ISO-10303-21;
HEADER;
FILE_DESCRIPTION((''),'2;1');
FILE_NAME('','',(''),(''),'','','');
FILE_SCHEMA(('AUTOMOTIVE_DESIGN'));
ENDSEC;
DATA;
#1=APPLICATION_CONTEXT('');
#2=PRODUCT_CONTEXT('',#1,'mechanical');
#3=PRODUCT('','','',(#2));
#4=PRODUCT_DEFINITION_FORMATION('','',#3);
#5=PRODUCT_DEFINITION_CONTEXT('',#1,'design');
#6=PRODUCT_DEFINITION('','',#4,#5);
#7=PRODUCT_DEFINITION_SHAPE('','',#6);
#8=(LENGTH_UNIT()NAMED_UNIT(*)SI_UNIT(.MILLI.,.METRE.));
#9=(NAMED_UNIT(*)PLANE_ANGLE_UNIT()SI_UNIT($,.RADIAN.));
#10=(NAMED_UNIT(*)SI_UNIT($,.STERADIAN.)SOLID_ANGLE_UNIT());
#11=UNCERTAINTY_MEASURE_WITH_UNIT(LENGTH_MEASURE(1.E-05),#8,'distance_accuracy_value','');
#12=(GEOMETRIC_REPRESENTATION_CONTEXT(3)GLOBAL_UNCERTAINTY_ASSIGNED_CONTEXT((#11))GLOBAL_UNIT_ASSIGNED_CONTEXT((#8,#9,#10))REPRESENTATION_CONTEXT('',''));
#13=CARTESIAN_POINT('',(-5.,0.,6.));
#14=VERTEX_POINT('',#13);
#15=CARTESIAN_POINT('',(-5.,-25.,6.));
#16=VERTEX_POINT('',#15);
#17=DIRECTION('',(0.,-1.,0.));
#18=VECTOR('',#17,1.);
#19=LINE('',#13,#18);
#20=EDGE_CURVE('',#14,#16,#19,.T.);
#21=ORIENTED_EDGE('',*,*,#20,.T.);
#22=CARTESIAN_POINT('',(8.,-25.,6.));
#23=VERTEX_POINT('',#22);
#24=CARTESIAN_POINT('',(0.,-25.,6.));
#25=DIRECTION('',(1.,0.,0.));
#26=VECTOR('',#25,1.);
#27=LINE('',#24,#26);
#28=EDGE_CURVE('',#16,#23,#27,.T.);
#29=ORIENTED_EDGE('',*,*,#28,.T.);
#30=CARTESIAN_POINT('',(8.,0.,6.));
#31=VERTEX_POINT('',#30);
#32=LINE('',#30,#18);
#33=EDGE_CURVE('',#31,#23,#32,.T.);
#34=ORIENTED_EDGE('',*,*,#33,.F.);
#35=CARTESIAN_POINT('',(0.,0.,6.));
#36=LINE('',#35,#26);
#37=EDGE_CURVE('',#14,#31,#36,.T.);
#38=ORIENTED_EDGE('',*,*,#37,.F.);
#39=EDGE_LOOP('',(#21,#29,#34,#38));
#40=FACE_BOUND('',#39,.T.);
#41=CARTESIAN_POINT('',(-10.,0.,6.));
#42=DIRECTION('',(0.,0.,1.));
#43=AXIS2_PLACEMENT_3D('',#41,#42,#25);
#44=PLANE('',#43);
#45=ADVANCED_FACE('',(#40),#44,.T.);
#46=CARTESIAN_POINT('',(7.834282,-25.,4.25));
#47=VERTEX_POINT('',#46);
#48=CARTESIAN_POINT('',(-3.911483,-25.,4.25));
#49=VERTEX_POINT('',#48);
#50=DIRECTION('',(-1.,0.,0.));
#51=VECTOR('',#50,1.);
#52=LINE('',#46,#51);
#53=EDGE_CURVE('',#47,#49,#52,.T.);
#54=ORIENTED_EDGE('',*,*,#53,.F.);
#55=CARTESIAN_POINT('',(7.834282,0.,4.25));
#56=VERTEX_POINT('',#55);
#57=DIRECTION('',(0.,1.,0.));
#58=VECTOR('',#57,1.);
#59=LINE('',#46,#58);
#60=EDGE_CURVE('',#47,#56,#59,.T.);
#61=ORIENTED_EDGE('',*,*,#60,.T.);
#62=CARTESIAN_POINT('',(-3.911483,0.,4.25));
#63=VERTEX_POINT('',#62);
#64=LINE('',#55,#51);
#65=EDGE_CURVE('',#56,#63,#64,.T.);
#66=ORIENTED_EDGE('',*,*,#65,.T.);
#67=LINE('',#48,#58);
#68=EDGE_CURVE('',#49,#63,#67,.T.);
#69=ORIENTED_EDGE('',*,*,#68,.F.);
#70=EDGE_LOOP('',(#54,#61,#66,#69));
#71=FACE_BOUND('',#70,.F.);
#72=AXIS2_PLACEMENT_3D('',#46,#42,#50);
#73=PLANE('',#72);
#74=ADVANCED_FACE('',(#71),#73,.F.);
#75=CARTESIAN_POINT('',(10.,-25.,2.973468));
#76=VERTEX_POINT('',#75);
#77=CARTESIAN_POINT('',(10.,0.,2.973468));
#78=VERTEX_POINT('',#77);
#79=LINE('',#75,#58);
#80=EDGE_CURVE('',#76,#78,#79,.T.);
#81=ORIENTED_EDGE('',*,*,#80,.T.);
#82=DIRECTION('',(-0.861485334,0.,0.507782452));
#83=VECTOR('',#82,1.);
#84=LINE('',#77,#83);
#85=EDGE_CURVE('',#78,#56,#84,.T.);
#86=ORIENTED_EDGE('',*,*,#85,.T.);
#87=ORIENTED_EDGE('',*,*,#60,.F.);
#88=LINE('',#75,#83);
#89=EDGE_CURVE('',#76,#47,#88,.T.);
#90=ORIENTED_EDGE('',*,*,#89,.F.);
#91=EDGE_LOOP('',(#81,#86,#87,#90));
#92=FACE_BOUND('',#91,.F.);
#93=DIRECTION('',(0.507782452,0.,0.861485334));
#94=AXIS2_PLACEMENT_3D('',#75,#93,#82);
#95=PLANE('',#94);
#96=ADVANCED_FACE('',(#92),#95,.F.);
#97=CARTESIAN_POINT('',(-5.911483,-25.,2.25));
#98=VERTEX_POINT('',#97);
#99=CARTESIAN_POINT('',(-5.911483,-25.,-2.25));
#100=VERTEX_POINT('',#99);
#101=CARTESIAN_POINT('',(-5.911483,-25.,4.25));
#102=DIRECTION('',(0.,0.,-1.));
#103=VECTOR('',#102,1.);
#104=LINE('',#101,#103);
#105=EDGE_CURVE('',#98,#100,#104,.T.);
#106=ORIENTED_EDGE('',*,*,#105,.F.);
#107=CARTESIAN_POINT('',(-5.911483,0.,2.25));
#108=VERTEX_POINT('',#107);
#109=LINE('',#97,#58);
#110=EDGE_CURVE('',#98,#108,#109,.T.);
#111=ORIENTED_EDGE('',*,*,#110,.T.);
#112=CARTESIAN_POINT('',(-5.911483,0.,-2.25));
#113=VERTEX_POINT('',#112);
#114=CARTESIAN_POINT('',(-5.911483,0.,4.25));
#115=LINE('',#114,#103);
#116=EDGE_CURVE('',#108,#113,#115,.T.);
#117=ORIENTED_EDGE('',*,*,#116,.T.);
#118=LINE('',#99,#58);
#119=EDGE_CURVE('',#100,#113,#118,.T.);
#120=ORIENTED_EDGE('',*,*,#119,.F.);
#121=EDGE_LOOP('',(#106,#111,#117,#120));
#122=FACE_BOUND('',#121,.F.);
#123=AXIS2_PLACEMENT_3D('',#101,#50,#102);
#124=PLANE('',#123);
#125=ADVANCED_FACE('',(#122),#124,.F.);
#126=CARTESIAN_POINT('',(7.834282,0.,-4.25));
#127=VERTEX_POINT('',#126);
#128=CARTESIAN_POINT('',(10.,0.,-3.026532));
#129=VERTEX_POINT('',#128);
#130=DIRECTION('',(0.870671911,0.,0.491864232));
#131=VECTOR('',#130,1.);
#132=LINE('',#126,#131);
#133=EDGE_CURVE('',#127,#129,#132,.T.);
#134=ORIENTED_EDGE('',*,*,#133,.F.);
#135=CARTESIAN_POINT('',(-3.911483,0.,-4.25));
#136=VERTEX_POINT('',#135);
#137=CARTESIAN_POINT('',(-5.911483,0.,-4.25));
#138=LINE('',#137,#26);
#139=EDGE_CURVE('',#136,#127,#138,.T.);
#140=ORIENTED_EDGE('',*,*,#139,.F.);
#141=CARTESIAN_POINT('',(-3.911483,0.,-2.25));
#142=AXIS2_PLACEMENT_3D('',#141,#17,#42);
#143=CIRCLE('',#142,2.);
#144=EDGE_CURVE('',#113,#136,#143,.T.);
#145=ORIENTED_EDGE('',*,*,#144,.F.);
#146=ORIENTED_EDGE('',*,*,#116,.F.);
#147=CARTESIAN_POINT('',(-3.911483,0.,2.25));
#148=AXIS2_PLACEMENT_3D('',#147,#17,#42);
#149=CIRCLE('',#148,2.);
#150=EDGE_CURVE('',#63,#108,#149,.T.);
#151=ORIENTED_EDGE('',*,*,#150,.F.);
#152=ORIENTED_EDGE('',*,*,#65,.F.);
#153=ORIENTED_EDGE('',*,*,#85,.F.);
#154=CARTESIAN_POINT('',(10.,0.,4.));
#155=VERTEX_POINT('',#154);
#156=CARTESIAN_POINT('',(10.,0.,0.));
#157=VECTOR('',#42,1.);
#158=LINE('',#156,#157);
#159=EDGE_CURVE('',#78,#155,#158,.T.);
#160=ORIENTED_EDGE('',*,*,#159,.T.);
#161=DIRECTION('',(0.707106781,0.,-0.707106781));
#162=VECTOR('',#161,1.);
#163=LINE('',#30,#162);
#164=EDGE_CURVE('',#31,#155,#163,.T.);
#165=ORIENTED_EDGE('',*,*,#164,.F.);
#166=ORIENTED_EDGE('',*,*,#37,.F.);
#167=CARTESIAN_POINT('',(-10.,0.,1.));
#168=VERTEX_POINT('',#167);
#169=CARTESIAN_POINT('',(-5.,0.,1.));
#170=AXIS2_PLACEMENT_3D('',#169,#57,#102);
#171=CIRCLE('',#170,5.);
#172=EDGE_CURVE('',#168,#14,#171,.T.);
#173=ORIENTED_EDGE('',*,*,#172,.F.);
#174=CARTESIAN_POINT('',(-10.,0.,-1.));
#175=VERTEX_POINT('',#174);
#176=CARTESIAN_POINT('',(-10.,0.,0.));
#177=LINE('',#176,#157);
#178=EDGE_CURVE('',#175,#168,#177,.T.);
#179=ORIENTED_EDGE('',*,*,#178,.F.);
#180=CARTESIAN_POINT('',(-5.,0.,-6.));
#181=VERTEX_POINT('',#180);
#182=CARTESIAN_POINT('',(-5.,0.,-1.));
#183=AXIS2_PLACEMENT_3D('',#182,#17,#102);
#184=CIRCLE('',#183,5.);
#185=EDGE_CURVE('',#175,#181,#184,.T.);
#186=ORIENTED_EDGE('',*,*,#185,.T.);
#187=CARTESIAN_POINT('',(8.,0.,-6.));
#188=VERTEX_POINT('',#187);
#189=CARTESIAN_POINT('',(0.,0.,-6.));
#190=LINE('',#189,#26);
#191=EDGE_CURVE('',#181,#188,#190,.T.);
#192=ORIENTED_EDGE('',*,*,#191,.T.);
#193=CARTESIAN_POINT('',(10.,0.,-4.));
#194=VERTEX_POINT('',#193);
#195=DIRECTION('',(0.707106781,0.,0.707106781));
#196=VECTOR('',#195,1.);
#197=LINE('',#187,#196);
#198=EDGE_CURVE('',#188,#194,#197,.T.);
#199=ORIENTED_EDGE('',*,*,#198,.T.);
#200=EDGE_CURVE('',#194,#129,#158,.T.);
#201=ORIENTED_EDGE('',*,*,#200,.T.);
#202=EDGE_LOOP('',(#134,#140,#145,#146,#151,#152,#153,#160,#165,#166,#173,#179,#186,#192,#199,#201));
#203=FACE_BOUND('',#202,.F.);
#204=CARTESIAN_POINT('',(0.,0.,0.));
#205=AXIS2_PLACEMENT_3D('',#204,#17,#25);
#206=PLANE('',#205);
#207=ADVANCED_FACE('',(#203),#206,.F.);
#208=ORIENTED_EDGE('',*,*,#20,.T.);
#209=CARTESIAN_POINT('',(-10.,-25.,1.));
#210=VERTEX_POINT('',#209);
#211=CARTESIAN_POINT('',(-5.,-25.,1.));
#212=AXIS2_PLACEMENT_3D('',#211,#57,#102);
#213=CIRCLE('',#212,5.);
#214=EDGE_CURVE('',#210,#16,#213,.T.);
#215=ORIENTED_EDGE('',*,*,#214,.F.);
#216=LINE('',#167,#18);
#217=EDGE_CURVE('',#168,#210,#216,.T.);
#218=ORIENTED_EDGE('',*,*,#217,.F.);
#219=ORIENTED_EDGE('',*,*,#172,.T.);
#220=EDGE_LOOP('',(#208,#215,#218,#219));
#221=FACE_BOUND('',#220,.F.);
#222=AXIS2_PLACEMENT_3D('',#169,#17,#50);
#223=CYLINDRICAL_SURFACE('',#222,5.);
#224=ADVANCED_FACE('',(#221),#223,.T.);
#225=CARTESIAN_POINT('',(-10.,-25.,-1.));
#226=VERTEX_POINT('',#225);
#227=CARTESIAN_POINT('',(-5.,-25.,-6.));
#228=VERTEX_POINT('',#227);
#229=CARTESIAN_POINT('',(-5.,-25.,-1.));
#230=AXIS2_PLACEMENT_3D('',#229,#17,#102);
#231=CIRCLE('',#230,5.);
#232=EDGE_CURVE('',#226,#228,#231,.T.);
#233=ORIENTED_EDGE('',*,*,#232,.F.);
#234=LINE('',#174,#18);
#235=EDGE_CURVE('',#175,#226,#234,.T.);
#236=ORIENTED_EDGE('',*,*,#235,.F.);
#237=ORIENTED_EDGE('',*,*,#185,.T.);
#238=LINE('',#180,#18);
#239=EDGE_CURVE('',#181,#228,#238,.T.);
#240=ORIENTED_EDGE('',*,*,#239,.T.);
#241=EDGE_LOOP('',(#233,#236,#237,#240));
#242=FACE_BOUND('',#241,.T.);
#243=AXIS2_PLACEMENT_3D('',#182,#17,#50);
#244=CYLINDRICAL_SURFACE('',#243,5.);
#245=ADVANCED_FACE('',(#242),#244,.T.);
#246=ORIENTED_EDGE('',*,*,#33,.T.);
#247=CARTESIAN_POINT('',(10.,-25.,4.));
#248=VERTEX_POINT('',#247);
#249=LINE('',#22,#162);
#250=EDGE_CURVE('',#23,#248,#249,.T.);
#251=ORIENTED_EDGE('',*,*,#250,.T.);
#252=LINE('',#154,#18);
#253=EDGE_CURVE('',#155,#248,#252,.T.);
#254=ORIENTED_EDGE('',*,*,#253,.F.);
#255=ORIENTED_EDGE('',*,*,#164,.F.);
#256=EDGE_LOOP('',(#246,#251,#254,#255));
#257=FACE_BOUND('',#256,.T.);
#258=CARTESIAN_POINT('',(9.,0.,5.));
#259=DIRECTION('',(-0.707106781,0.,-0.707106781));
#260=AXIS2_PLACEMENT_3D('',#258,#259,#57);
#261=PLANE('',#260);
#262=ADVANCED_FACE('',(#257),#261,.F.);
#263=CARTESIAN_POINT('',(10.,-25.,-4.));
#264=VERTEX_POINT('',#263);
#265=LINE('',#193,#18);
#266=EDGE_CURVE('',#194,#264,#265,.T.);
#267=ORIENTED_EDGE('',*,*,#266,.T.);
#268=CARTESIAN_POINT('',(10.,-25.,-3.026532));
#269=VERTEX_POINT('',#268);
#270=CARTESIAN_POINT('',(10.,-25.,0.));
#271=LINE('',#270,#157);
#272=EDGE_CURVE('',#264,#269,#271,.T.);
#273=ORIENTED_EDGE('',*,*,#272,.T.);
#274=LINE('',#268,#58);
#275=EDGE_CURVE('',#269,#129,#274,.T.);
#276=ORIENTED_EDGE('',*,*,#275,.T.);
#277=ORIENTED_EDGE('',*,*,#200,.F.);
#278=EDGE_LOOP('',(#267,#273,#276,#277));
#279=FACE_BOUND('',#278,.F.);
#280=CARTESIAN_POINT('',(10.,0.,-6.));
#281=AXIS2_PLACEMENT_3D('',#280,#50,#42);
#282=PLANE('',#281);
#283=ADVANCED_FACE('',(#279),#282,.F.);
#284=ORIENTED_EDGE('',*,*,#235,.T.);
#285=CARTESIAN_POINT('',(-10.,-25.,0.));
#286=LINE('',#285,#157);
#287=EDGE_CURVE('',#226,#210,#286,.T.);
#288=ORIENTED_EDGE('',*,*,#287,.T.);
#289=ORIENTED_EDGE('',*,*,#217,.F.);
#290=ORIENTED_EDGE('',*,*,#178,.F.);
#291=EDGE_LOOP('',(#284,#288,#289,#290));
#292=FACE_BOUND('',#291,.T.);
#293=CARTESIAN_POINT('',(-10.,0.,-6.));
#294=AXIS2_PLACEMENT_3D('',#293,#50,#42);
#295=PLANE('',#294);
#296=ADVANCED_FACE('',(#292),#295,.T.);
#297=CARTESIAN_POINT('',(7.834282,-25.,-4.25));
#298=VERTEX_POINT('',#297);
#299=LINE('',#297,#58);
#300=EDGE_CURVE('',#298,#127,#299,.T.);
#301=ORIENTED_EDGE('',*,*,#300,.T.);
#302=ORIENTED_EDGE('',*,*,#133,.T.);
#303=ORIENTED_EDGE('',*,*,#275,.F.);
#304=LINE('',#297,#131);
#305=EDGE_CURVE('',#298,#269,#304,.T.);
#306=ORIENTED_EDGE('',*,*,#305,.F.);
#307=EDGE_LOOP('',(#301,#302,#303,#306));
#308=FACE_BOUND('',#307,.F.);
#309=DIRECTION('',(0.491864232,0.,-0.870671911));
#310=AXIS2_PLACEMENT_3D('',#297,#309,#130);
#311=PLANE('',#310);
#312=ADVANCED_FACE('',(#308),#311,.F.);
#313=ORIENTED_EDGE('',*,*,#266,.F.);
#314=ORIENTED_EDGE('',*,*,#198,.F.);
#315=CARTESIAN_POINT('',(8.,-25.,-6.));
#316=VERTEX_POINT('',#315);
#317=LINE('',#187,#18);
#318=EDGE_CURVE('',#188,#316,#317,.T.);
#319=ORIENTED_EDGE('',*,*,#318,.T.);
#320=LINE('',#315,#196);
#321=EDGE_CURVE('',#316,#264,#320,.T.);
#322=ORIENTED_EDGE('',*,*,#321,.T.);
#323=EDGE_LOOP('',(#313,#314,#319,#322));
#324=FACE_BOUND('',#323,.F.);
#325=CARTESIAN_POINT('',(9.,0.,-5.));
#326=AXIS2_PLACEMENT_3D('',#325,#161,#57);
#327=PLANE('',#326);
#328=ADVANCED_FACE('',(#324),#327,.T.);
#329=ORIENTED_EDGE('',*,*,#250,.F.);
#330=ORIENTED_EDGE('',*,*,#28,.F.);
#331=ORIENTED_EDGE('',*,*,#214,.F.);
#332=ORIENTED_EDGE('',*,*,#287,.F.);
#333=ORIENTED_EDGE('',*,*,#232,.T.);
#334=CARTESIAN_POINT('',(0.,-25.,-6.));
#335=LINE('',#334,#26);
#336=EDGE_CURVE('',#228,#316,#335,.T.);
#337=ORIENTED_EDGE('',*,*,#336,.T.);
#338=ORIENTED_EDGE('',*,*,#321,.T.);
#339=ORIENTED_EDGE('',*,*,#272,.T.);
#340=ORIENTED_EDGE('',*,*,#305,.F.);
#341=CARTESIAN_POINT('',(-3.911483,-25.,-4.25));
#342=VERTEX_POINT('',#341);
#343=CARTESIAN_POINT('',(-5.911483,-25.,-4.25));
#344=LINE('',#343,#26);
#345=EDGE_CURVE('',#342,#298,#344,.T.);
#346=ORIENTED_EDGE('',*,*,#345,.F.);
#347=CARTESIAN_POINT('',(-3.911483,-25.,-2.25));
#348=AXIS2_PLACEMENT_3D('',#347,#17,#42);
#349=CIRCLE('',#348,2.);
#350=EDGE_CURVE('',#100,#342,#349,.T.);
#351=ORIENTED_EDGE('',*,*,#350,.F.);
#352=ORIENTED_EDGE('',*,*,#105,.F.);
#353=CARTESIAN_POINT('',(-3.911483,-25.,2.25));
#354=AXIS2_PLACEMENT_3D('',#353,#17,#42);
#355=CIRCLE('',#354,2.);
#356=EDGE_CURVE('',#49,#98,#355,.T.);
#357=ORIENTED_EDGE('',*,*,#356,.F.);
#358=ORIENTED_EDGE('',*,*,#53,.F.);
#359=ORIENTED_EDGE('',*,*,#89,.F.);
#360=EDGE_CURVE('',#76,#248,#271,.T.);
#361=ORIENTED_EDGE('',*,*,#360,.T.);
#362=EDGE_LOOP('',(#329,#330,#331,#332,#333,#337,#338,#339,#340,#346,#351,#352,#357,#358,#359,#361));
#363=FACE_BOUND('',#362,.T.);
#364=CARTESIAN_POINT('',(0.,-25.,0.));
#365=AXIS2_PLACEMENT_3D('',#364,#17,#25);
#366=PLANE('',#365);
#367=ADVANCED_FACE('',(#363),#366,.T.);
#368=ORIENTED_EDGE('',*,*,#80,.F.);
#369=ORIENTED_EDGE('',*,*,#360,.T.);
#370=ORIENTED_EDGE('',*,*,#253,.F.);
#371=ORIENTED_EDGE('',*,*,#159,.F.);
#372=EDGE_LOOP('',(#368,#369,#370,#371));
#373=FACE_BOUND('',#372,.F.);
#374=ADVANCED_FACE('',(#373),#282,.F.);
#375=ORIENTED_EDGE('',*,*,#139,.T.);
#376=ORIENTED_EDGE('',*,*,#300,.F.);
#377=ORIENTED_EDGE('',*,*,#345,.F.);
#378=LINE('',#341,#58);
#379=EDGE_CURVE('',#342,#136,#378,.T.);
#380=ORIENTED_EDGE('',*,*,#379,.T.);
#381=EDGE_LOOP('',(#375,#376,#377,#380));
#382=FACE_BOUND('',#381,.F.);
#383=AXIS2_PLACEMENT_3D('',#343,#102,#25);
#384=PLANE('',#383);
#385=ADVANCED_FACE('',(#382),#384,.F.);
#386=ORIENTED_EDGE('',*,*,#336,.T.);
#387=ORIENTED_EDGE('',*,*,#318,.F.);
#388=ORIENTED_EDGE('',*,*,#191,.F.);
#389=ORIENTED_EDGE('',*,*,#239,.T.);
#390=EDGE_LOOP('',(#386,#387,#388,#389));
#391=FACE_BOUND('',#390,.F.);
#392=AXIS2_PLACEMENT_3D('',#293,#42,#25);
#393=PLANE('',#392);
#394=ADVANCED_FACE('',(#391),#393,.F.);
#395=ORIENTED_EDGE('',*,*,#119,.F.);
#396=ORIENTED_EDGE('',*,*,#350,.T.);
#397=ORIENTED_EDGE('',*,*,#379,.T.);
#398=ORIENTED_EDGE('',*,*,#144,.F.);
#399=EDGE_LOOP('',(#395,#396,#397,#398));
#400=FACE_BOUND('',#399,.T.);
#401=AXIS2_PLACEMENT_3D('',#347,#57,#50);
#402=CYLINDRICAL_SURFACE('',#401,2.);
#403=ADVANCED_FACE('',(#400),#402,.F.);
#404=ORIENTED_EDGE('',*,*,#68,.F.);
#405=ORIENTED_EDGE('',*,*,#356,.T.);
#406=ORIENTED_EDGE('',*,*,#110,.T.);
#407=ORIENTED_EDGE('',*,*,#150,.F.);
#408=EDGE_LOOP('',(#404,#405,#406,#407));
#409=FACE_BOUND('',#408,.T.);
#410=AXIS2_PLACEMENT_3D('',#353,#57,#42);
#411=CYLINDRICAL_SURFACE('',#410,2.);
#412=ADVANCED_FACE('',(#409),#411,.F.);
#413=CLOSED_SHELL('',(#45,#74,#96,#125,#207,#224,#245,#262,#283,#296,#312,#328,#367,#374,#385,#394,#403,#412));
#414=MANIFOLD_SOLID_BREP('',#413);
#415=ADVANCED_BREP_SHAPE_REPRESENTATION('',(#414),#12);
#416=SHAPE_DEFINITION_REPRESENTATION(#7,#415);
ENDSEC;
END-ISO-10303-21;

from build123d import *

# Parameters (mm, degrees)
F0_W     = 20
F0_H     = 12
F1_DEPTH = 25
F2_R     = 5
F3_SIZE  = 2
F5_DEPTH = 25
F6_R     = 2


with BuildPart() as f1:
    # F0 (on Front) → F1 (new body)
    with BuildSketch(Plane.XZ):
        Rectangle(F0_W, F0_H)
    extrude(amount=F1_DEPTH)

    # F2
    f2_edges = [f1.edges().sort_by_distance(p)[0] for p in [
        (-10, -12.5, 6),
        (-10, -12.5, -6),
    ]]
    fillet(f2_edges, radius=F2_R)

    # F3
    f3_edges = [f1.edges().sort_by_distance(p)[0] for p in [
        (10, -12.5, 6),
        (10, -12.5, -6),
    ]]
    chamfer(f3_edges, length=F3_SIZE)

    # F4 (on face) → F5 (cut)
    with BuildSketch(Plane.XZ.offset(25)):
        Polygon((10, -3.026532), (10, 2.973468), (7.834282, 4.25), (-5.911483, 4.25), (-5.911483, -4.25), (7.834282, -4.25), align=None)
    extrude(amount=-F5_DEPTH, mode=Mode.SUBTRACT)

    # F6
    f6_edges = [f1.edges().sort_by_distance(p)[0] for p in [
        (-5.911483, -12.5, -4.25),
        (-5.911483, -12.5, 4.25),
    ]]
    fillet(f6_edges, radius=F6_R)


solid = f1.part
